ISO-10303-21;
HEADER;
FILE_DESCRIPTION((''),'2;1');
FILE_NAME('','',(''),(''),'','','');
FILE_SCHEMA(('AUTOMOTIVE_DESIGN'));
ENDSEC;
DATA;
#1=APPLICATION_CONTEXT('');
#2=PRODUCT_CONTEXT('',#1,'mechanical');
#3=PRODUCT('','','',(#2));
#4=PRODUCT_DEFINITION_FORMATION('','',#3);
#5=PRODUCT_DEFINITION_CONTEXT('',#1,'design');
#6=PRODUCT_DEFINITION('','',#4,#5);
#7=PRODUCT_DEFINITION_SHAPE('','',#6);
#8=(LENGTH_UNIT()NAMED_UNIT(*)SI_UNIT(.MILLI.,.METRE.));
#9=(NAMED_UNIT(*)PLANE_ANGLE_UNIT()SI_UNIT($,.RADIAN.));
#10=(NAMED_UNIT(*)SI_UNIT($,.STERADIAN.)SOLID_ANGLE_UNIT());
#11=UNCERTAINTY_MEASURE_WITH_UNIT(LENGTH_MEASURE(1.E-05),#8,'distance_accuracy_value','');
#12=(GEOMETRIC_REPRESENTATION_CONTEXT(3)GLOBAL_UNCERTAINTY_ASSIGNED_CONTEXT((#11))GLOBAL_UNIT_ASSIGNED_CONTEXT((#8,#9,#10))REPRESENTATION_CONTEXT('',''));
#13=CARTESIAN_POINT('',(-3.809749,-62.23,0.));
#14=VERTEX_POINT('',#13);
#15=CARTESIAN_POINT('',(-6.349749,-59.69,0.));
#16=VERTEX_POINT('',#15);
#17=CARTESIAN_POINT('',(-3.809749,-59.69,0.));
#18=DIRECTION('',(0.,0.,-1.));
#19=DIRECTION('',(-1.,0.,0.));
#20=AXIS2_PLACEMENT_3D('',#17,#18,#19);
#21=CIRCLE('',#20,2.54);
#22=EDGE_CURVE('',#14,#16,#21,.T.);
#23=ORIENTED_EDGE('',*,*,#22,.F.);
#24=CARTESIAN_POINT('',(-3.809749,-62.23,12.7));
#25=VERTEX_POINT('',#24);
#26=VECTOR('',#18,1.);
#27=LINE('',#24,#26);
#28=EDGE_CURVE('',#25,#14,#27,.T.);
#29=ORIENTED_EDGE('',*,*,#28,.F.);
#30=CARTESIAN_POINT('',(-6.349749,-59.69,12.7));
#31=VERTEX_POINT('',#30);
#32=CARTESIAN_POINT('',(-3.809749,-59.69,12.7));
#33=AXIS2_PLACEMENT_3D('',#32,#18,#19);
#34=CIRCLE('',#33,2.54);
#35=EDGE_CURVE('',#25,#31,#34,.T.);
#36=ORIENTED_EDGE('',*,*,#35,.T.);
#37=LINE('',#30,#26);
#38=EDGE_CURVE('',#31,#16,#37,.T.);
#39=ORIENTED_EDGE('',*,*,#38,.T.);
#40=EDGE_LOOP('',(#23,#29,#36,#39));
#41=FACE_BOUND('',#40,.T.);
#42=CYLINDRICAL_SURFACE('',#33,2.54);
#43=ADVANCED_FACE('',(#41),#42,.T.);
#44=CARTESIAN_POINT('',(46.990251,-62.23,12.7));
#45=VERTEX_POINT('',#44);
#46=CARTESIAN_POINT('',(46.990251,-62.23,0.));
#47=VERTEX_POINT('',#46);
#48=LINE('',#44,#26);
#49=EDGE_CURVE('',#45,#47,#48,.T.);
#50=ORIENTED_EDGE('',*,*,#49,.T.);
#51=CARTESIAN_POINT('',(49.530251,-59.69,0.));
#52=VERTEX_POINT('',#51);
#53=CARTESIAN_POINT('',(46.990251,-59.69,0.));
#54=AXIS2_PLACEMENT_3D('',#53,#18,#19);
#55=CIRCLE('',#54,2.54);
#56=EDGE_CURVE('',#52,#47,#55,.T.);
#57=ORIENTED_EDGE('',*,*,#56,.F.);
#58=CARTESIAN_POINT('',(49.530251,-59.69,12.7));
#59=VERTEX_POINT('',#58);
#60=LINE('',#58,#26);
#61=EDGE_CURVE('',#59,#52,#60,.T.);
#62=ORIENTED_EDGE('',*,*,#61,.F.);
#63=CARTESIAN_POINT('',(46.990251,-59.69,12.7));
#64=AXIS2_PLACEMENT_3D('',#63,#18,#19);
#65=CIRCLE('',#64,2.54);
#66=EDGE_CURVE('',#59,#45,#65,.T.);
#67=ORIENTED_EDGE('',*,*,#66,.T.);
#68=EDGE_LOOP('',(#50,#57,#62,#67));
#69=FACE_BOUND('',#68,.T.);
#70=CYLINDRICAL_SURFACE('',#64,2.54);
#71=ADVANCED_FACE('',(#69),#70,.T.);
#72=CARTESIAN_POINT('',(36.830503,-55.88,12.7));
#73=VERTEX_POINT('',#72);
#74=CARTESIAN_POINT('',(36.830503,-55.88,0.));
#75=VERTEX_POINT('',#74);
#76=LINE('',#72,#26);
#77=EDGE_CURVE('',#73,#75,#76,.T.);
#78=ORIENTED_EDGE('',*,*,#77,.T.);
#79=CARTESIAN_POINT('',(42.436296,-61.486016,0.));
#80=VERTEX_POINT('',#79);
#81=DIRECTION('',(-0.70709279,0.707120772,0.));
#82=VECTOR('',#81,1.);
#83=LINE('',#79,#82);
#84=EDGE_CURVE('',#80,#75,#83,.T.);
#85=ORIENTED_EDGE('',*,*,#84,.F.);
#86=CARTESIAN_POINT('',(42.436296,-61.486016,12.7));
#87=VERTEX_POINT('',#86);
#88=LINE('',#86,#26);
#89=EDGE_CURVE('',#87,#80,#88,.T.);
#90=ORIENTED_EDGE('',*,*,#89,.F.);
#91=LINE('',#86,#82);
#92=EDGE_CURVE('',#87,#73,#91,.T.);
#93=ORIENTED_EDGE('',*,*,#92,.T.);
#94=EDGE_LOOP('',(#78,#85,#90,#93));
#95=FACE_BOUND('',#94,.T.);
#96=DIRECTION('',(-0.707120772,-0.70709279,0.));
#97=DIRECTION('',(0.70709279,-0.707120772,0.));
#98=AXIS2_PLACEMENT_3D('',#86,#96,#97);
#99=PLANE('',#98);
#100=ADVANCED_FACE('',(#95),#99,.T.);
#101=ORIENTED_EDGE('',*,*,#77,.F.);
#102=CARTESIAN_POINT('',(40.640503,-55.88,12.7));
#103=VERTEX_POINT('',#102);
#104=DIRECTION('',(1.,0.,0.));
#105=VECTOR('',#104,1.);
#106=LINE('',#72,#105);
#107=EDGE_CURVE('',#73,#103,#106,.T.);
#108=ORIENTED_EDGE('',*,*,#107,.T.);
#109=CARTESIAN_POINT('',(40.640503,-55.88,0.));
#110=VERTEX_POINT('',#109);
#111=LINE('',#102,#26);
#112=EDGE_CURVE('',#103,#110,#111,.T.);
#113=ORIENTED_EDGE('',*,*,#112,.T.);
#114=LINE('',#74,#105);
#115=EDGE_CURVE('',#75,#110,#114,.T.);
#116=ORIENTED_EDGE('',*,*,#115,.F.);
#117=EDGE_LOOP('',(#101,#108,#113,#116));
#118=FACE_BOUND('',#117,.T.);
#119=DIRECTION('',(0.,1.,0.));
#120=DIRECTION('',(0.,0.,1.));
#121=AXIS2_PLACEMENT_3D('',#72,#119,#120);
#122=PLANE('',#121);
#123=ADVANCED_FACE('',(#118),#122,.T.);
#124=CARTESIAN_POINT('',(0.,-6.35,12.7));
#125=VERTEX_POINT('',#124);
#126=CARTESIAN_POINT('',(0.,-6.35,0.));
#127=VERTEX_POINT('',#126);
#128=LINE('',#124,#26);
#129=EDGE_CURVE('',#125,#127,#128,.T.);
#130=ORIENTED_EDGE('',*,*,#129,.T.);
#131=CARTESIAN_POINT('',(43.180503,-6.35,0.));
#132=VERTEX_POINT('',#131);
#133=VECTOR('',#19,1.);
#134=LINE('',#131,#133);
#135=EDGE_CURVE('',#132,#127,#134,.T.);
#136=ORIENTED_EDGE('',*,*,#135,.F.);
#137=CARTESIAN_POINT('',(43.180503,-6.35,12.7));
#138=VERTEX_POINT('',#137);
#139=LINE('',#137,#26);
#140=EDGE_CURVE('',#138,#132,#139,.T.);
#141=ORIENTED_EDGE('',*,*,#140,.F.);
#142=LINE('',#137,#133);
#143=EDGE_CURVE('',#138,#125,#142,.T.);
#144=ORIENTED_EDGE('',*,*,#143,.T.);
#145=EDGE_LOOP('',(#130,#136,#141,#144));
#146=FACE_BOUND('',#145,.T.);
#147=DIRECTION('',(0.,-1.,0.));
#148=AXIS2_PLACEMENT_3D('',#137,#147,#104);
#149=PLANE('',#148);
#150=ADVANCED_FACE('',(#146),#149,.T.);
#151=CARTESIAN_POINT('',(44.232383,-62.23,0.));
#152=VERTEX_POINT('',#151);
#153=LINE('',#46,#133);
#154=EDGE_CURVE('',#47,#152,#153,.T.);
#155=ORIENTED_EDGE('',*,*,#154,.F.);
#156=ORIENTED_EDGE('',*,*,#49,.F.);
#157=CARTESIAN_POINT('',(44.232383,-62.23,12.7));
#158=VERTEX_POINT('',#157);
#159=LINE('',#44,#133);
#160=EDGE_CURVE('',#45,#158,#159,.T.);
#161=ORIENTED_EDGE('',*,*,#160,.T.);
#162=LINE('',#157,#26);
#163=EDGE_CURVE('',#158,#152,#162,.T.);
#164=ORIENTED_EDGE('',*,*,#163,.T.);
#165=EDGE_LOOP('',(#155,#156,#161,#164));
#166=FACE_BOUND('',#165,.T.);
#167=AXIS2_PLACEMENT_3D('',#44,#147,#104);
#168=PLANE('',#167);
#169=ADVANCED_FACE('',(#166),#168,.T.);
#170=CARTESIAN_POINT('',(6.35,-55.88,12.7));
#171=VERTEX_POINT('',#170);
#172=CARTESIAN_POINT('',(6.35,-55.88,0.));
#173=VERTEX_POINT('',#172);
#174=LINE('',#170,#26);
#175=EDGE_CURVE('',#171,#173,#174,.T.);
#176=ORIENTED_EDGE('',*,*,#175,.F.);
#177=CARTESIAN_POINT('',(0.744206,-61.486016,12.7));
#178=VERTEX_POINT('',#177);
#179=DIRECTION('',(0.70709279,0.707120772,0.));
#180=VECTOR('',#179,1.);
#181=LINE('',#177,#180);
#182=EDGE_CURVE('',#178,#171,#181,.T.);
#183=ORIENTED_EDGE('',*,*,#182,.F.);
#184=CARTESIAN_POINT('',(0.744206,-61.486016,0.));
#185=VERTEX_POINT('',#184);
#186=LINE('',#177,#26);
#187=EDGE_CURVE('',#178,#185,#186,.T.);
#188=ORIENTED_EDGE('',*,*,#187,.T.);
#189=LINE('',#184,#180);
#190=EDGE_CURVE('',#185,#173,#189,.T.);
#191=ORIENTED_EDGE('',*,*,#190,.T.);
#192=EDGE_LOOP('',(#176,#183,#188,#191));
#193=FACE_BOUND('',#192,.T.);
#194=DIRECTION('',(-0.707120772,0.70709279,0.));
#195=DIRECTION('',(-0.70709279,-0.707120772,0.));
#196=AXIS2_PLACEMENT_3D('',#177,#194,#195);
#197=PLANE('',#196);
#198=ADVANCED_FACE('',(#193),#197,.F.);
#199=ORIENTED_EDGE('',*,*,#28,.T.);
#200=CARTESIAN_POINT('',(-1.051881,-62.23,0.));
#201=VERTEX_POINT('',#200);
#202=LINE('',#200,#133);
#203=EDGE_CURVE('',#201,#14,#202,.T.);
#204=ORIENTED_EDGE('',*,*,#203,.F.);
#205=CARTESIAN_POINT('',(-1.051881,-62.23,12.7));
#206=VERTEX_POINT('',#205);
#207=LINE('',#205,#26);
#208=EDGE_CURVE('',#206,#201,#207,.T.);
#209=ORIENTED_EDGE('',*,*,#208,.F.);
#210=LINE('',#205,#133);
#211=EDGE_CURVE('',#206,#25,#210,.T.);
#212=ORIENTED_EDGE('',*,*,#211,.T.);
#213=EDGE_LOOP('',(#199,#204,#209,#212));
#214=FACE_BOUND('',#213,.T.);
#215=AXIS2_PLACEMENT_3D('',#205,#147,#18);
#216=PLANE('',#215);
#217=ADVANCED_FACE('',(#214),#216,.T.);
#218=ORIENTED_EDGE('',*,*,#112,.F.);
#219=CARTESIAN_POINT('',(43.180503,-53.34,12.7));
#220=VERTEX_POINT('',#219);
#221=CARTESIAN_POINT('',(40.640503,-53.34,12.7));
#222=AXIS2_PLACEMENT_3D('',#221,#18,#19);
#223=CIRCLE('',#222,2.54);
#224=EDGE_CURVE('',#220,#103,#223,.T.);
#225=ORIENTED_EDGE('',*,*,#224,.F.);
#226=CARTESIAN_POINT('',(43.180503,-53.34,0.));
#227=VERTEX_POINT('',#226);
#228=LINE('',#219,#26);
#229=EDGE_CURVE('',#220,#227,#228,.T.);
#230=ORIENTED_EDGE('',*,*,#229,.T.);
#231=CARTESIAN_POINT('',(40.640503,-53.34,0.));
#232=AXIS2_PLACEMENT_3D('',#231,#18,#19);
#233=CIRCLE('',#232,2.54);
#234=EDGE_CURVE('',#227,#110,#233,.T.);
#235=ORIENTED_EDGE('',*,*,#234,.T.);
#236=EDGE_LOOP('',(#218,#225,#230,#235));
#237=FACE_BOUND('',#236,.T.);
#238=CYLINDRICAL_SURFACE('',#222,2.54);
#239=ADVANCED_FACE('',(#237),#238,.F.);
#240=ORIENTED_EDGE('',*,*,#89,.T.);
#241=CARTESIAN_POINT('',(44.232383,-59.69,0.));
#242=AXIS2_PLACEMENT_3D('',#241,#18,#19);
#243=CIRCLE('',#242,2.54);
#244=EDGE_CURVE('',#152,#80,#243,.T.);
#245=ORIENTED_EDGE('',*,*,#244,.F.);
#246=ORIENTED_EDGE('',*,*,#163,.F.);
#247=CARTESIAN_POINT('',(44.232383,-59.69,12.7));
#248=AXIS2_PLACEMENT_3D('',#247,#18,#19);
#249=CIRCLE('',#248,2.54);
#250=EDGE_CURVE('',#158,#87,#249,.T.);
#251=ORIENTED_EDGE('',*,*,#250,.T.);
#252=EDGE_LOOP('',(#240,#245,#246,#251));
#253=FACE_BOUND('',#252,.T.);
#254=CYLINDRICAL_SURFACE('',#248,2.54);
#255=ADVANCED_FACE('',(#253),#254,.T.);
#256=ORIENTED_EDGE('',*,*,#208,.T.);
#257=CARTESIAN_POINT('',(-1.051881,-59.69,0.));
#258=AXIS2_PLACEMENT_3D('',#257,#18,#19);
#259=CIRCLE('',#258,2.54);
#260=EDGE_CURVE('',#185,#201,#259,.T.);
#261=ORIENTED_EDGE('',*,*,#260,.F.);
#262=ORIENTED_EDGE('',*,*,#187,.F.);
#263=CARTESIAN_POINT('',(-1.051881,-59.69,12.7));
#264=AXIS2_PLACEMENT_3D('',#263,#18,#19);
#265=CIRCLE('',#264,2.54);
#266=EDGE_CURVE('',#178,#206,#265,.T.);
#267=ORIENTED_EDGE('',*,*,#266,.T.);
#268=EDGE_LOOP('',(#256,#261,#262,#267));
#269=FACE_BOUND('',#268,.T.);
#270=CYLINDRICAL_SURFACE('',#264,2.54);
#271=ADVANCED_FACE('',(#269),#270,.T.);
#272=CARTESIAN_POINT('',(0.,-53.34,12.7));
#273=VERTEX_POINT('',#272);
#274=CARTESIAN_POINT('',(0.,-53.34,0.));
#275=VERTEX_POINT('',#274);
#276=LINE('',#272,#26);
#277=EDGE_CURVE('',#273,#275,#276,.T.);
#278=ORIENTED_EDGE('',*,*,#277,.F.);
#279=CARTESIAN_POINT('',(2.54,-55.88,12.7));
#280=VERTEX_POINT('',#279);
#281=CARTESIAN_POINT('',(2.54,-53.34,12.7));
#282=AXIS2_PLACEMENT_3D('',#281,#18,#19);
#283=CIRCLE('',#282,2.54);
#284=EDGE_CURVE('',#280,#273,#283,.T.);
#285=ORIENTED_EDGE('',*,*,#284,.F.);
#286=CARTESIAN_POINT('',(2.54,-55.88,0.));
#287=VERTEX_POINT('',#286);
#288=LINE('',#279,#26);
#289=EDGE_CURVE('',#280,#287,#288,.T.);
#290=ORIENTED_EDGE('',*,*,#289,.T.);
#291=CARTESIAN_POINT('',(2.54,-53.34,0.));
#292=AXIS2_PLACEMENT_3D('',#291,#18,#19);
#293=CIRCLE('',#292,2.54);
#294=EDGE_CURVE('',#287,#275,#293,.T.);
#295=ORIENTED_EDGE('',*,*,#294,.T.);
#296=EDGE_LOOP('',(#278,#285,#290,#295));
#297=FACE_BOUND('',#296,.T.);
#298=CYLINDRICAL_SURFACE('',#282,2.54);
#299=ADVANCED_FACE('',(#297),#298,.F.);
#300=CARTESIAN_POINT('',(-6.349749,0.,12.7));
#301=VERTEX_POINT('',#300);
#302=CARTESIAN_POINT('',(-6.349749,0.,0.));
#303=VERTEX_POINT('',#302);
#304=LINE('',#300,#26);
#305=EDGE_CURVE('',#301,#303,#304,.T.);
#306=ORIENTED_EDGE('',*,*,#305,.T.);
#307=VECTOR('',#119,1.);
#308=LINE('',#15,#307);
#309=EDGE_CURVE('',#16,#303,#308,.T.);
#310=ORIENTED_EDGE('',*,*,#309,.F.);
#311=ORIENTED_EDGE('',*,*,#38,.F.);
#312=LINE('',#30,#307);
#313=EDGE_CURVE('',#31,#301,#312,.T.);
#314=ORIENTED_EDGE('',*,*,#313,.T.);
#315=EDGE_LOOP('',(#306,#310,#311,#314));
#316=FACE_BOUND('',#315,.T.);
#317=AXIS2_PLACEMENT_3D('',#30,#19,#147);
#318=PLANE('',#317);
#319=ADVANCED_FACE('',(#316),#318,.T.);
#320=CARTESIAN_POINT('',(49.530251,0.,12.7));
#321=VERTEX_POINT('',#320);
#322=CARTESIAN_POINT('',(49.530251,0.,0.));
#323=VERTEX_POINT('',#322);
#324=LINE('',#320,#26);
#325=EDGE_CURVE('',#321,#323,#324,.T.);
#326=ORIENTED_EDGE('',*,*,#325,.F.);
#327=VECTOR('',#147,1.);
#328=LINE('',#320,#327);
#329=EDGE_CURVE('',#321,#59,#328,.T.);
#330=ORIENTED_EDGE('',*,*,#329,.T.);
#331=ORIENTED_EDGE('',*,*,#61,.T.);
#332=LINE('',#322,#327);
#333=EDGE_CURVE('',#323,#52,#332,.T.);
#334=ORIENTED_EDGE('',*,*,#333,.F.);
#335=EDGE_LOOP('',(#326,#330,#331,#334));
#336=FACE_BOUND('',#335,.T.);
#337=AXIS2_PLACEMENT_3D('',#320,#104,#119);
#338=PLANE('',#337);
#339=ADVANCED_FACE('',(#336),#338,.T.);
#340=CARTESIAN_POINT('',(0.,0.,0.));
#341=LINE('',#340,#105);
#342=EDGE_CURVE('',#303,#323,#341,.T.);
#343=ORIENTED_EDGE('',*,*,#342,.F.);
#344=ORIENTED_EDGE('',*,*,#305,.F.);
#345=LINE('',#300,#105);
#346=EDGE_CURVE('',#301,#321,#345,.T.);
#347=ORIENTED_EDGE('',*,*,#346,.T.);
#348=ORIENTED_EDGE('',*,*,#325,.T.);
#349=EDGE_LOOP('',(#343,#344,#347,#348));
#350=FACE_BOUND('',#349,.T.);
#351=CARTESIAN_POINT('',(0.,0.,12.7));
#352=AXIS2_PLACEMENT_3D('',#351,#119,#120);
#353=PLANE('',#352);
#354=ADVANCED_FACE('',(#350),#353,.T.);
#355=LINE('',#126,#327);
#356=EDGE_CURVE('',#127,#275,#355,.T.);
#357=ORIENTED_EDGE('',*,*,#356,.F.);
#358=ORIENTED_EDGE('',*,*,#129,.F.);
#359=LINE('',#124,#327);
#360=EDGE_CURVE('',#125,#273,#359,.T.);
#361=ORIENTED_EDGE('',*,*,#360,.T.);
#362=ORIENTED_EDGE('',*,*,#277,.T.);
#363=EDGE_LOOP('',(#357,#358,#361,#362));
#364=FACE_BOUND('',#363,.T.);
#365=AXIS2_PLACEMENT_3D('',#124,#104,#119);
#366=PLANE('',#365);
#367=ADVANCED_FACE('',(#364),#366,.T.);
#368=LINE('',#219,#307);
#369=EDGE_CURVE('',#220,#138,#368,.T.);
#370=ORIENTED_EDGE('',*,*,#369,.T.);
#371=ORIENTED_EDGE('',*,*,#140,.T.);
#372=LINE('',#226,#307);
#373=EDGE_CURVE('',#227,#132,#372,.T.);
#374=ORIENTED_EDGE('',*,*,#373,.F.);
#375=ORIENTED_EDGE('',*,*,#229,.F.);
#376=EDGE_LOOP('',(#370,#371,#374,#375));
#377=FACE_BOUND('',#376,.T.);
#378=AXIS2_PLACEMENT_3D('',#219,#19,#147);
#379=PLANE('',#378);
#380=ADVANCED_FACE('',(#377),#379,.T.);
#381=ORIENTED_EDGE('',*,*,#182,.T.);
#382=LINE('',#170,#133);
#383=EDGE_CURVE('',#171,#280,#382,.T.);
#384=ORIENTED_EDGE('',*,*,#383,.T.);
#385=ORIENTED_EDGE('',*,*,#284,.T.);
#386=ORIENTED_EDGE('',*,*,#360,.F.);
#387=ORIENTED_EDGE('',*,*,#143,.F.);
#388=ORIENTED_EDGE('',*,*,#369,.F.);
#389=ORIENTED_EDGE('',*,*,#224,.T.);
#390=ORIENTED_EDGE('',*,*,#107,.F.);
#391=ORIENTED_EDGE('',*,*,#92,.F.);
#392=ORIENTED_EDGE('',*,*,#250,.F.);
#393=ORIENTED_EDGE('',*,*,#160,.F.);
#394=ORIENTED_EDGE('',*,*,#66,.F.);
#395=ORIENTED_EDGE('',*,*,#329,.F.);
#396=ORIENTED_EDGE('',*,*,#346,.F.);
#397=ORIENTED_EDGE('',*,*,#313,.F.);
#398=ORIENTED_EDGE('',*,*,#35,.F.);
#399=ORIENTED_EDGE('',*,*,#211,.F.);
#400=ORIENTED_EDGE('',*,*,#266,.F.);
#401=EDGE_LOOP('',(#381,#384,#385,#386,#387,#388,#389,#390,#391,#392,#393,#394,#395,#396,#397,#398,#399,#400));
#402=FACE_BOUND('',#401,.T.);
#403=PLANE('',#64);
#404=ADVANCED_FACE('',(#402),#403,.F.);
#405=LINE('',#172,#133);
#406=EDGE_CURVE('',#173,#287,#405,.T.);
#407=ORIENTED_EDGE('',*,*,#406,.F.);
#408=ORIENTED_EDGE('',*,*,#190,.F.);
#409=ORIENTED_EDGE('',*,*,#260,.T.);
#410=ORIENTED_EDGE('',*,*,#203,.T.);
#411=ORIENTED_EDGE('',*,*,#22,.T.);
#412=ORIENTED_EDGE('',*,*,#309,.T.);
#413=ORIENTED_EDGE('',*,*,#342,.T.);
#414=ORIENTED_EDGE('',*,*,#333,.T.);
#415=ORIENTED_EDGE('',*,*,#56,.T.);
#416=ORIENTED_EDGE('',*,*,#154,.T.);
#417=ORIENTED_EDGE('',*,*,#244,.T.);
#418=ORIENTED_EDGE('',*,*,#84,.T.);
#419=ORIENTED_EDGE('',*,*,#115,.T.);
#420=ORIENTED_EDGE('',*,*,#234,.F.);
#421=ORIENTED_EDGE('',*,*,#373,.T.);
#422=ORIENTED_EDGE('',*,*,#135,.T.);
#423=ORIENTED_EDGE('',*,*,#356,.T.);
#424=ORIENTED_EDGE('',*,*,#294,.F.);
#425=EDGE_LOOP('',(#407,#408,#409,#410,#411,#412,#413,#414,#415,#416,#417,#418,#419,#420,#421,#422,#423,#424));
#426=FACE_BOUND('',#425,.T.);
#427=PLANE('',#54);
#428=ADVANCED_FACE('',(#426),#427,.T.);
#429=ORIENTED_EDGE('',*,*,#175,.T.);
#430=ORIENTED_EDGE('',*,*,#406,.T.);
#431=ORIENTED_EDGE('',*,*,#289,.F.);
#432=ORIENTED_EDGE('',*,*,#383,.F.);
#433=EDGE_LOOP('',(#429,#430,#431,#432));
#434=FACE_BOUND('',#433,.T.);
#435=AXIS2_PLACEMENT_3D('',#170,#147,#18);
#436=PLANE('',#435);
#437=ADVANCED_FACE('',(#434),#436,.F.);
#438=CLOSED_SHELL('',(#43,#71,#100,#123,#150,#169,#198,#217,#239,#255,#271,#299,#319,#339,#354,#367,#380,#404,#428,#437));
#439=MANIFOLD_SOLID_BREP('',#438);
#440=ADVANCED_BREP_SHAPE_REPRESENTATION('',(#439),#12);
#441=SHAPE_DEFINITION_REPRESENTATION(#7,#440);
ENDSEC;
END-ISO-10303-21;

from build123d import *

# Parameters (mm, degrees)
BOSS_EXTRUDE1_DEPTH = 12.7


with BuildPart() as part:
    # Sketch2 → Boss-Extrude1 (new body)
    with BuildSketch(Plane.XY):
        with BuildLine():
            Line((0, 0), (49.530251281, 0))
            Line((49.530251281, 0), (49.530251281, -59.689999999))
            ThreePointArc((49.530251281, -59.689999999), (48.786302505, -61.486051224), (46.990251281, -62.229999999))
            Line((46.990251281, -62.229999999), (44.232383169, -62.229999999))
            ThreePointArc((44.232383169, -62.229999999), (43.260344035, -62.036644396), (42.436296408, -61.486015686))
            Line((42.436296408, -61.486015686), (36.830502562, -55.879999999))
            Line((36.830502562, -55.879999999), (40.640502562, -55.879999999))
            ThreePointArc((40.640502562, -55.879999999), (42.436553786, -55.136051224), (43.180502562, -53.339999999))
            Line((43.180502562, -53.339999999), (43.180502562, -6.35))
            Line((43.180502562, -6.35), (0, -6.35))
            Line((0, -6.35), (0, -53.339999999))
            ThreePointArc((0, -53.339999999), (0.743948776, -55.136051224), (2.54, -55.879999999))
            Line((2.54, -55.879999999), (6.35, -55.879999999))
            Line((6.35, -55.879999999), (0.744206153, -61.486015686))
            ThreePointArc((0.744206153, -61.486015686), (-0.079841474, -62.036644396), (-1.051880608, -62.229999999))
            Line((-1.051880608, -62.229999999), (-3.809748719, -62.229999999))
            ThreePointArc((-3.809748719, -62.229999999), (-5.605799943, -61.486051224), (-6.349748719, -59.689999999))
            Line((-6.349748719, -59.689999999), (-6.349748719, 0))
            Line((-6.349748719, 0), (0, 0))
        make_face()
    extrude(amount=BOSS_EXTRUDE1_DEPTH)


solid = part.part
